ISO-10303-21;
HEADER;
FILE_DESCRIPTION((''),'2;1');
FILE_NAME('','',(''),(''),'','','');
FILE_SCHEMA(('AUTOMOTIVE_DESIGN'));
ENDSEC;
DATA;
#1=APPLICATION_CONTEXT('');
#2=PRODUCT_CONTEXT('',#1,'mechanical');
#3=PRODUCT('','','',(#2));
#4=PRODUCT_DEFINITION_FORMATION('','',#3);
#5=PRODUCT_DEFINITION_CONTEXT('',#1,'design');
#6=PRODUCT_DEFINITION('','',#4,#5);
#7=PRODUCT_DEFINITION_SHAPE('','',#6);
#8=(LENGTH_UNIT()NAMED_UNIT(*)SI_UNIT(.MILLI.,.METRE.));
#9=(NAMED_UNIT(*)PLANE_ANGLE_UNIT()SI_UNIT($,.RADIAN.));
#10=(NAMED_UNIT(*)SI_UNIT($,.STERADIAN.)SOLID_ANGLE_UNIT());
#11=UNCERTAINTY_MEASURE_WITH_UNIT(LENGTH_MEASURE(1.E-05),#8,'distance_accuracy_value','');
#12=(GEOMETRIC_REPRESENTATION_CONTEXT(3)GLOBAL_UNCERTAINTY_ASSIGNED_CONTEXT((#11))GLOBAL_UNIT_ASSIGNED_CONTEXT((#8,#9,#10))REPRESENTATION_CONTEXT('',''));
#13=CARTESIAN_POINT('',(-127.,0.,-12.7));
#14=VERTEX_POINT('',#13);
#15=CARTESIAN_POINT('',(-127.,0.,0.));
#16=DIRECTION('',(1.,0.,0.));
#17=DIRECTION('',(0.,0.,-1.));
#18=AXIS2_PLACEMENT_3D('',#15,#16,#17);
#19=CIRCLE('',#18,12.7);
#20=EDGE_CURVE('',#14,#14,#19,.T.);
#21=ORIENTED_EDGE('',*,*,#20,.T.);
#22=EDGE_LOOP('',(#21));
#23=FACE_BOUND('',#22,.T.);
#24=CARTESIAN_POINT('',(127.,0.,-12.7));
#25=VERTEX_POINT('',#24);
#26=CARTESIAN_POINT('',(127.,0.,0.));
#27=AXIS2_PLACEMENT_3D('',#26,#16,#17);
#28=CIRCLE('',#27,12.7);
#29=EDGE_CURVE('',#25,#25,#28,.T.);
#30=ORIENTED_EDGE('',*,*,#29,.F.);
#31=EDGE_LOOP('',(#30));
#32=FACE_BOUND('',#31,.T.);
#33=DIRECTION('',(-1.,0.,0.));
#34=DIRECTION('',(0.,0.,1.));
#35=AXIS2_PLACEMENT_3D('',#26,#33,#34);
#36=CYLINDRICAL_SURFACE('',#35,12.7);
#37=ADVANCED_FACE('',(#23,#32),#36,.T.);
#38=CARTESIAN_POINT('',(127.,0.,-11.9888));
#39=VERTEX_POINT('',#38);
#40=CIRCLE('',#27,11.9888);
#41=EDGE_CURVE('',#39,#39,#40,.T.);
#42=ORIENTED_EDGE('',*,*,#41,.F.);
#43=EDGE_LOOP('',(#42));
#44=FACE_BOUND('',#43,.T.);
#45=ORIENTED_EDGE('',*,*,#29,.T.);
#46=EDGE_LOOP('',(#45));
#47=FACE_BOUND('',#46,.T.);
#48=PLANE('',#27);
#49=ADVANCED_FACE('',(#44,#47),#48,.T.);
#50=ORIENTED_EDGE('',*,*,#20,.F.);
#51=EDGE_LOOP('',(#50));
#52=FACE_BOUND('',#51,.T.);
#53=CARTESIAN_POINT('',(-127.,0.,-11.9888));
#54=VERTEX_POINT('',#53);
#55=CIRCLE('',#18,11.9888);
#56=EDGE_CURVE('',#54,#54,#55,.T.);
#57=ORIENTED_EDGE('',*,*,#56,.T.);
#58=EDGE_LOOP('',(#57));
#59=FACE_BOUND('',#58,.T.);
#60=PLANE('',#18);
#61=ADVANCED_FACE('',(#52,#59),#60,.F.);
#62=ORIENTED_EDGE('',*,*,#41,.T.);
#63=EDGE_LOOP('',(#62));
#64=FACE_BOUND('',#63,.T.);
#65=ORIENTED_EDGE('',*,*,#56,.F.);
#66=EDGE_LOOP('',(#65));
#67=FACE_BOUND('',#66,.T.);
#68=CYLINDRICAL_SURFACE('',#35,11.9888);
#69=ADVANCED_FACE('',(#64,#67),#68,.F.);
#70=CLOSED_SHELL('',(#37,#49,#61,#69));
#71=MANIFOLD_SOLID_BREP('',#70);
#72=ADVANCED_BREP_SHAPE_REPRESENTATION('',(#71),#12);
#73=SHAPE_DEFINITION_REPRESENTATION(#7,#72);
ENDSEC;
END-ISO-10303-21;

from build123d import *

# Parameters (mm, degrees)
SKETCH3_R           = 12.7
SKETCH3_R_2         = 11.9888
BOSS_EXTRUDE1_DEPTH = 127


with BuildPart() as part:
    # Sketch3 → Boss-Extrude1 (new, symmetric)
    with BuildSketch(Plane(origin=(0, 0, 0), x_dir=(0, 0, -1), z_dir=(1, 0, 0))):
        Circle(SKETCH3_R)
        Circle(SKETCH3_R_2, mode=Mode.SUBTRACT)
    extrude(amount=BOSS_EXTRUDE1_DEPTH, both=True)


solid = part.part
